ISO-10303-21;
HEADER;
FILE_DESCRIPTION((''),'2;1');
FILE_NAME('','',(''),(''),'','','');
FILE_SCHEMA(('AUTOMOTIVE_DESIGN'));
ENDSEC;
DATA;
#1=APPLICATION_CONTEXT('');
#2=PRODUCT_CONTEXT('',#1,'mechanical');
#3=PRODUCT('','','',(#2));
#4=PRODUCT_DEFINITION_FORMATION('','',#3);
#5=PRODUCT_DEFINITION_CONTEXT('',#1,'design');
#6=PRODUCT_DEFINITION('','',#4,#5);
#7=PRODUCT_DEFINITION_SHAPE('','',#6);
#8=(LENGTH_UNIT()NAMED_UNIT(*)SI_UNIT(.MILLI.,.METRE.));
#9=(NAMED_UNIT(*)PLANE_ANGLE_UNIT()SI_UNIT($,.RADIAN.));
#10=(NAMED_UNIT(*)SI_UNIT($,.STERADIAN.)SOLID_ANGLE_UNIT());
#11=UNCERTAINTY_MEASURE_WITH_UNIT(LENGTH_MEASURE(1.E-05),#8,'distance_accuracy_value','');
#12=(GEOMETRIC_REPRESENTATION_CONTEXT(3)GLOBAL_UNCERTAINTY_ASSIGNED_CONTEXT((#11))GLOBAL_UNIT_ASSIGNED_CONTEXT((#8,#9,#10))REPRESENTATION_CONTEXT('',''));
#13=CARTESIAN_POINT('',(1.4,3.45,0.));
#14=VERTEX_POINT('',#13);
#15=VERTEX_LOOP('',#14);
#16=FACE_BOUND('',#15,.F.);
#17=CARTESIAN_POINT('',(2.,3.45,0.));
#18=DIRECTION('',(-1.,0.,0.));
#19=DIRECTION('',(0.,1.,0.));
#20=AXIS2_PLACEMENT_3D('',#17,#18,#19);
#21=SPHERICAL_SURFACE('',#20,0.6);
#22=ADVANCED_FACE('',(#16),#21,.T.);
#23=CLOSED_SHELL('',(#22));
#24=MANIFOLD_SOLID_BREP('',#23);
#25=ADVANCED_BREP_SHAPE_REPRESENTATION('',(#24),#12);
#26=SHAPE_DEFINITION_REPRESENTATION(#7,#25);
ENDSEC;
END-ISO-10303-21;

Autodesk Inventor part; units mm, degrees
sketch "Sketch_6" plane through (0, 0, 0) normal (0, 0, 1) x (1, 0, 0)
  line L0 (2.6, 3.45) -> (1.4, 3.45)
  arc A0 (2.6, 3.45) -> (1.4, 3.45) centre (2, 3.45) ccw
  line L1 (2.6, 3.45) -> (1.4, 3.45)
revolve "Revolution1" add sketch "Sketch_6" angle 360 about axis through (2.6, 3.45, 0) along (1, 0, 0)
ref_plane "ball1_XY" through (2, 3.45, 0) normal (1, 0, 0) x (0, 0, -1)
ref_plane "ball1_YZ" through (2, 3.45, 0) normal (0, 0, -1) x (0, 1, 0)
ref_plane "ball1_ZX" through (2, 3.45, 0) normal (0, 1, 0) x (1, 0, 0)
properties part number "SKF_WBB1-8705-2RS1_ball1"
